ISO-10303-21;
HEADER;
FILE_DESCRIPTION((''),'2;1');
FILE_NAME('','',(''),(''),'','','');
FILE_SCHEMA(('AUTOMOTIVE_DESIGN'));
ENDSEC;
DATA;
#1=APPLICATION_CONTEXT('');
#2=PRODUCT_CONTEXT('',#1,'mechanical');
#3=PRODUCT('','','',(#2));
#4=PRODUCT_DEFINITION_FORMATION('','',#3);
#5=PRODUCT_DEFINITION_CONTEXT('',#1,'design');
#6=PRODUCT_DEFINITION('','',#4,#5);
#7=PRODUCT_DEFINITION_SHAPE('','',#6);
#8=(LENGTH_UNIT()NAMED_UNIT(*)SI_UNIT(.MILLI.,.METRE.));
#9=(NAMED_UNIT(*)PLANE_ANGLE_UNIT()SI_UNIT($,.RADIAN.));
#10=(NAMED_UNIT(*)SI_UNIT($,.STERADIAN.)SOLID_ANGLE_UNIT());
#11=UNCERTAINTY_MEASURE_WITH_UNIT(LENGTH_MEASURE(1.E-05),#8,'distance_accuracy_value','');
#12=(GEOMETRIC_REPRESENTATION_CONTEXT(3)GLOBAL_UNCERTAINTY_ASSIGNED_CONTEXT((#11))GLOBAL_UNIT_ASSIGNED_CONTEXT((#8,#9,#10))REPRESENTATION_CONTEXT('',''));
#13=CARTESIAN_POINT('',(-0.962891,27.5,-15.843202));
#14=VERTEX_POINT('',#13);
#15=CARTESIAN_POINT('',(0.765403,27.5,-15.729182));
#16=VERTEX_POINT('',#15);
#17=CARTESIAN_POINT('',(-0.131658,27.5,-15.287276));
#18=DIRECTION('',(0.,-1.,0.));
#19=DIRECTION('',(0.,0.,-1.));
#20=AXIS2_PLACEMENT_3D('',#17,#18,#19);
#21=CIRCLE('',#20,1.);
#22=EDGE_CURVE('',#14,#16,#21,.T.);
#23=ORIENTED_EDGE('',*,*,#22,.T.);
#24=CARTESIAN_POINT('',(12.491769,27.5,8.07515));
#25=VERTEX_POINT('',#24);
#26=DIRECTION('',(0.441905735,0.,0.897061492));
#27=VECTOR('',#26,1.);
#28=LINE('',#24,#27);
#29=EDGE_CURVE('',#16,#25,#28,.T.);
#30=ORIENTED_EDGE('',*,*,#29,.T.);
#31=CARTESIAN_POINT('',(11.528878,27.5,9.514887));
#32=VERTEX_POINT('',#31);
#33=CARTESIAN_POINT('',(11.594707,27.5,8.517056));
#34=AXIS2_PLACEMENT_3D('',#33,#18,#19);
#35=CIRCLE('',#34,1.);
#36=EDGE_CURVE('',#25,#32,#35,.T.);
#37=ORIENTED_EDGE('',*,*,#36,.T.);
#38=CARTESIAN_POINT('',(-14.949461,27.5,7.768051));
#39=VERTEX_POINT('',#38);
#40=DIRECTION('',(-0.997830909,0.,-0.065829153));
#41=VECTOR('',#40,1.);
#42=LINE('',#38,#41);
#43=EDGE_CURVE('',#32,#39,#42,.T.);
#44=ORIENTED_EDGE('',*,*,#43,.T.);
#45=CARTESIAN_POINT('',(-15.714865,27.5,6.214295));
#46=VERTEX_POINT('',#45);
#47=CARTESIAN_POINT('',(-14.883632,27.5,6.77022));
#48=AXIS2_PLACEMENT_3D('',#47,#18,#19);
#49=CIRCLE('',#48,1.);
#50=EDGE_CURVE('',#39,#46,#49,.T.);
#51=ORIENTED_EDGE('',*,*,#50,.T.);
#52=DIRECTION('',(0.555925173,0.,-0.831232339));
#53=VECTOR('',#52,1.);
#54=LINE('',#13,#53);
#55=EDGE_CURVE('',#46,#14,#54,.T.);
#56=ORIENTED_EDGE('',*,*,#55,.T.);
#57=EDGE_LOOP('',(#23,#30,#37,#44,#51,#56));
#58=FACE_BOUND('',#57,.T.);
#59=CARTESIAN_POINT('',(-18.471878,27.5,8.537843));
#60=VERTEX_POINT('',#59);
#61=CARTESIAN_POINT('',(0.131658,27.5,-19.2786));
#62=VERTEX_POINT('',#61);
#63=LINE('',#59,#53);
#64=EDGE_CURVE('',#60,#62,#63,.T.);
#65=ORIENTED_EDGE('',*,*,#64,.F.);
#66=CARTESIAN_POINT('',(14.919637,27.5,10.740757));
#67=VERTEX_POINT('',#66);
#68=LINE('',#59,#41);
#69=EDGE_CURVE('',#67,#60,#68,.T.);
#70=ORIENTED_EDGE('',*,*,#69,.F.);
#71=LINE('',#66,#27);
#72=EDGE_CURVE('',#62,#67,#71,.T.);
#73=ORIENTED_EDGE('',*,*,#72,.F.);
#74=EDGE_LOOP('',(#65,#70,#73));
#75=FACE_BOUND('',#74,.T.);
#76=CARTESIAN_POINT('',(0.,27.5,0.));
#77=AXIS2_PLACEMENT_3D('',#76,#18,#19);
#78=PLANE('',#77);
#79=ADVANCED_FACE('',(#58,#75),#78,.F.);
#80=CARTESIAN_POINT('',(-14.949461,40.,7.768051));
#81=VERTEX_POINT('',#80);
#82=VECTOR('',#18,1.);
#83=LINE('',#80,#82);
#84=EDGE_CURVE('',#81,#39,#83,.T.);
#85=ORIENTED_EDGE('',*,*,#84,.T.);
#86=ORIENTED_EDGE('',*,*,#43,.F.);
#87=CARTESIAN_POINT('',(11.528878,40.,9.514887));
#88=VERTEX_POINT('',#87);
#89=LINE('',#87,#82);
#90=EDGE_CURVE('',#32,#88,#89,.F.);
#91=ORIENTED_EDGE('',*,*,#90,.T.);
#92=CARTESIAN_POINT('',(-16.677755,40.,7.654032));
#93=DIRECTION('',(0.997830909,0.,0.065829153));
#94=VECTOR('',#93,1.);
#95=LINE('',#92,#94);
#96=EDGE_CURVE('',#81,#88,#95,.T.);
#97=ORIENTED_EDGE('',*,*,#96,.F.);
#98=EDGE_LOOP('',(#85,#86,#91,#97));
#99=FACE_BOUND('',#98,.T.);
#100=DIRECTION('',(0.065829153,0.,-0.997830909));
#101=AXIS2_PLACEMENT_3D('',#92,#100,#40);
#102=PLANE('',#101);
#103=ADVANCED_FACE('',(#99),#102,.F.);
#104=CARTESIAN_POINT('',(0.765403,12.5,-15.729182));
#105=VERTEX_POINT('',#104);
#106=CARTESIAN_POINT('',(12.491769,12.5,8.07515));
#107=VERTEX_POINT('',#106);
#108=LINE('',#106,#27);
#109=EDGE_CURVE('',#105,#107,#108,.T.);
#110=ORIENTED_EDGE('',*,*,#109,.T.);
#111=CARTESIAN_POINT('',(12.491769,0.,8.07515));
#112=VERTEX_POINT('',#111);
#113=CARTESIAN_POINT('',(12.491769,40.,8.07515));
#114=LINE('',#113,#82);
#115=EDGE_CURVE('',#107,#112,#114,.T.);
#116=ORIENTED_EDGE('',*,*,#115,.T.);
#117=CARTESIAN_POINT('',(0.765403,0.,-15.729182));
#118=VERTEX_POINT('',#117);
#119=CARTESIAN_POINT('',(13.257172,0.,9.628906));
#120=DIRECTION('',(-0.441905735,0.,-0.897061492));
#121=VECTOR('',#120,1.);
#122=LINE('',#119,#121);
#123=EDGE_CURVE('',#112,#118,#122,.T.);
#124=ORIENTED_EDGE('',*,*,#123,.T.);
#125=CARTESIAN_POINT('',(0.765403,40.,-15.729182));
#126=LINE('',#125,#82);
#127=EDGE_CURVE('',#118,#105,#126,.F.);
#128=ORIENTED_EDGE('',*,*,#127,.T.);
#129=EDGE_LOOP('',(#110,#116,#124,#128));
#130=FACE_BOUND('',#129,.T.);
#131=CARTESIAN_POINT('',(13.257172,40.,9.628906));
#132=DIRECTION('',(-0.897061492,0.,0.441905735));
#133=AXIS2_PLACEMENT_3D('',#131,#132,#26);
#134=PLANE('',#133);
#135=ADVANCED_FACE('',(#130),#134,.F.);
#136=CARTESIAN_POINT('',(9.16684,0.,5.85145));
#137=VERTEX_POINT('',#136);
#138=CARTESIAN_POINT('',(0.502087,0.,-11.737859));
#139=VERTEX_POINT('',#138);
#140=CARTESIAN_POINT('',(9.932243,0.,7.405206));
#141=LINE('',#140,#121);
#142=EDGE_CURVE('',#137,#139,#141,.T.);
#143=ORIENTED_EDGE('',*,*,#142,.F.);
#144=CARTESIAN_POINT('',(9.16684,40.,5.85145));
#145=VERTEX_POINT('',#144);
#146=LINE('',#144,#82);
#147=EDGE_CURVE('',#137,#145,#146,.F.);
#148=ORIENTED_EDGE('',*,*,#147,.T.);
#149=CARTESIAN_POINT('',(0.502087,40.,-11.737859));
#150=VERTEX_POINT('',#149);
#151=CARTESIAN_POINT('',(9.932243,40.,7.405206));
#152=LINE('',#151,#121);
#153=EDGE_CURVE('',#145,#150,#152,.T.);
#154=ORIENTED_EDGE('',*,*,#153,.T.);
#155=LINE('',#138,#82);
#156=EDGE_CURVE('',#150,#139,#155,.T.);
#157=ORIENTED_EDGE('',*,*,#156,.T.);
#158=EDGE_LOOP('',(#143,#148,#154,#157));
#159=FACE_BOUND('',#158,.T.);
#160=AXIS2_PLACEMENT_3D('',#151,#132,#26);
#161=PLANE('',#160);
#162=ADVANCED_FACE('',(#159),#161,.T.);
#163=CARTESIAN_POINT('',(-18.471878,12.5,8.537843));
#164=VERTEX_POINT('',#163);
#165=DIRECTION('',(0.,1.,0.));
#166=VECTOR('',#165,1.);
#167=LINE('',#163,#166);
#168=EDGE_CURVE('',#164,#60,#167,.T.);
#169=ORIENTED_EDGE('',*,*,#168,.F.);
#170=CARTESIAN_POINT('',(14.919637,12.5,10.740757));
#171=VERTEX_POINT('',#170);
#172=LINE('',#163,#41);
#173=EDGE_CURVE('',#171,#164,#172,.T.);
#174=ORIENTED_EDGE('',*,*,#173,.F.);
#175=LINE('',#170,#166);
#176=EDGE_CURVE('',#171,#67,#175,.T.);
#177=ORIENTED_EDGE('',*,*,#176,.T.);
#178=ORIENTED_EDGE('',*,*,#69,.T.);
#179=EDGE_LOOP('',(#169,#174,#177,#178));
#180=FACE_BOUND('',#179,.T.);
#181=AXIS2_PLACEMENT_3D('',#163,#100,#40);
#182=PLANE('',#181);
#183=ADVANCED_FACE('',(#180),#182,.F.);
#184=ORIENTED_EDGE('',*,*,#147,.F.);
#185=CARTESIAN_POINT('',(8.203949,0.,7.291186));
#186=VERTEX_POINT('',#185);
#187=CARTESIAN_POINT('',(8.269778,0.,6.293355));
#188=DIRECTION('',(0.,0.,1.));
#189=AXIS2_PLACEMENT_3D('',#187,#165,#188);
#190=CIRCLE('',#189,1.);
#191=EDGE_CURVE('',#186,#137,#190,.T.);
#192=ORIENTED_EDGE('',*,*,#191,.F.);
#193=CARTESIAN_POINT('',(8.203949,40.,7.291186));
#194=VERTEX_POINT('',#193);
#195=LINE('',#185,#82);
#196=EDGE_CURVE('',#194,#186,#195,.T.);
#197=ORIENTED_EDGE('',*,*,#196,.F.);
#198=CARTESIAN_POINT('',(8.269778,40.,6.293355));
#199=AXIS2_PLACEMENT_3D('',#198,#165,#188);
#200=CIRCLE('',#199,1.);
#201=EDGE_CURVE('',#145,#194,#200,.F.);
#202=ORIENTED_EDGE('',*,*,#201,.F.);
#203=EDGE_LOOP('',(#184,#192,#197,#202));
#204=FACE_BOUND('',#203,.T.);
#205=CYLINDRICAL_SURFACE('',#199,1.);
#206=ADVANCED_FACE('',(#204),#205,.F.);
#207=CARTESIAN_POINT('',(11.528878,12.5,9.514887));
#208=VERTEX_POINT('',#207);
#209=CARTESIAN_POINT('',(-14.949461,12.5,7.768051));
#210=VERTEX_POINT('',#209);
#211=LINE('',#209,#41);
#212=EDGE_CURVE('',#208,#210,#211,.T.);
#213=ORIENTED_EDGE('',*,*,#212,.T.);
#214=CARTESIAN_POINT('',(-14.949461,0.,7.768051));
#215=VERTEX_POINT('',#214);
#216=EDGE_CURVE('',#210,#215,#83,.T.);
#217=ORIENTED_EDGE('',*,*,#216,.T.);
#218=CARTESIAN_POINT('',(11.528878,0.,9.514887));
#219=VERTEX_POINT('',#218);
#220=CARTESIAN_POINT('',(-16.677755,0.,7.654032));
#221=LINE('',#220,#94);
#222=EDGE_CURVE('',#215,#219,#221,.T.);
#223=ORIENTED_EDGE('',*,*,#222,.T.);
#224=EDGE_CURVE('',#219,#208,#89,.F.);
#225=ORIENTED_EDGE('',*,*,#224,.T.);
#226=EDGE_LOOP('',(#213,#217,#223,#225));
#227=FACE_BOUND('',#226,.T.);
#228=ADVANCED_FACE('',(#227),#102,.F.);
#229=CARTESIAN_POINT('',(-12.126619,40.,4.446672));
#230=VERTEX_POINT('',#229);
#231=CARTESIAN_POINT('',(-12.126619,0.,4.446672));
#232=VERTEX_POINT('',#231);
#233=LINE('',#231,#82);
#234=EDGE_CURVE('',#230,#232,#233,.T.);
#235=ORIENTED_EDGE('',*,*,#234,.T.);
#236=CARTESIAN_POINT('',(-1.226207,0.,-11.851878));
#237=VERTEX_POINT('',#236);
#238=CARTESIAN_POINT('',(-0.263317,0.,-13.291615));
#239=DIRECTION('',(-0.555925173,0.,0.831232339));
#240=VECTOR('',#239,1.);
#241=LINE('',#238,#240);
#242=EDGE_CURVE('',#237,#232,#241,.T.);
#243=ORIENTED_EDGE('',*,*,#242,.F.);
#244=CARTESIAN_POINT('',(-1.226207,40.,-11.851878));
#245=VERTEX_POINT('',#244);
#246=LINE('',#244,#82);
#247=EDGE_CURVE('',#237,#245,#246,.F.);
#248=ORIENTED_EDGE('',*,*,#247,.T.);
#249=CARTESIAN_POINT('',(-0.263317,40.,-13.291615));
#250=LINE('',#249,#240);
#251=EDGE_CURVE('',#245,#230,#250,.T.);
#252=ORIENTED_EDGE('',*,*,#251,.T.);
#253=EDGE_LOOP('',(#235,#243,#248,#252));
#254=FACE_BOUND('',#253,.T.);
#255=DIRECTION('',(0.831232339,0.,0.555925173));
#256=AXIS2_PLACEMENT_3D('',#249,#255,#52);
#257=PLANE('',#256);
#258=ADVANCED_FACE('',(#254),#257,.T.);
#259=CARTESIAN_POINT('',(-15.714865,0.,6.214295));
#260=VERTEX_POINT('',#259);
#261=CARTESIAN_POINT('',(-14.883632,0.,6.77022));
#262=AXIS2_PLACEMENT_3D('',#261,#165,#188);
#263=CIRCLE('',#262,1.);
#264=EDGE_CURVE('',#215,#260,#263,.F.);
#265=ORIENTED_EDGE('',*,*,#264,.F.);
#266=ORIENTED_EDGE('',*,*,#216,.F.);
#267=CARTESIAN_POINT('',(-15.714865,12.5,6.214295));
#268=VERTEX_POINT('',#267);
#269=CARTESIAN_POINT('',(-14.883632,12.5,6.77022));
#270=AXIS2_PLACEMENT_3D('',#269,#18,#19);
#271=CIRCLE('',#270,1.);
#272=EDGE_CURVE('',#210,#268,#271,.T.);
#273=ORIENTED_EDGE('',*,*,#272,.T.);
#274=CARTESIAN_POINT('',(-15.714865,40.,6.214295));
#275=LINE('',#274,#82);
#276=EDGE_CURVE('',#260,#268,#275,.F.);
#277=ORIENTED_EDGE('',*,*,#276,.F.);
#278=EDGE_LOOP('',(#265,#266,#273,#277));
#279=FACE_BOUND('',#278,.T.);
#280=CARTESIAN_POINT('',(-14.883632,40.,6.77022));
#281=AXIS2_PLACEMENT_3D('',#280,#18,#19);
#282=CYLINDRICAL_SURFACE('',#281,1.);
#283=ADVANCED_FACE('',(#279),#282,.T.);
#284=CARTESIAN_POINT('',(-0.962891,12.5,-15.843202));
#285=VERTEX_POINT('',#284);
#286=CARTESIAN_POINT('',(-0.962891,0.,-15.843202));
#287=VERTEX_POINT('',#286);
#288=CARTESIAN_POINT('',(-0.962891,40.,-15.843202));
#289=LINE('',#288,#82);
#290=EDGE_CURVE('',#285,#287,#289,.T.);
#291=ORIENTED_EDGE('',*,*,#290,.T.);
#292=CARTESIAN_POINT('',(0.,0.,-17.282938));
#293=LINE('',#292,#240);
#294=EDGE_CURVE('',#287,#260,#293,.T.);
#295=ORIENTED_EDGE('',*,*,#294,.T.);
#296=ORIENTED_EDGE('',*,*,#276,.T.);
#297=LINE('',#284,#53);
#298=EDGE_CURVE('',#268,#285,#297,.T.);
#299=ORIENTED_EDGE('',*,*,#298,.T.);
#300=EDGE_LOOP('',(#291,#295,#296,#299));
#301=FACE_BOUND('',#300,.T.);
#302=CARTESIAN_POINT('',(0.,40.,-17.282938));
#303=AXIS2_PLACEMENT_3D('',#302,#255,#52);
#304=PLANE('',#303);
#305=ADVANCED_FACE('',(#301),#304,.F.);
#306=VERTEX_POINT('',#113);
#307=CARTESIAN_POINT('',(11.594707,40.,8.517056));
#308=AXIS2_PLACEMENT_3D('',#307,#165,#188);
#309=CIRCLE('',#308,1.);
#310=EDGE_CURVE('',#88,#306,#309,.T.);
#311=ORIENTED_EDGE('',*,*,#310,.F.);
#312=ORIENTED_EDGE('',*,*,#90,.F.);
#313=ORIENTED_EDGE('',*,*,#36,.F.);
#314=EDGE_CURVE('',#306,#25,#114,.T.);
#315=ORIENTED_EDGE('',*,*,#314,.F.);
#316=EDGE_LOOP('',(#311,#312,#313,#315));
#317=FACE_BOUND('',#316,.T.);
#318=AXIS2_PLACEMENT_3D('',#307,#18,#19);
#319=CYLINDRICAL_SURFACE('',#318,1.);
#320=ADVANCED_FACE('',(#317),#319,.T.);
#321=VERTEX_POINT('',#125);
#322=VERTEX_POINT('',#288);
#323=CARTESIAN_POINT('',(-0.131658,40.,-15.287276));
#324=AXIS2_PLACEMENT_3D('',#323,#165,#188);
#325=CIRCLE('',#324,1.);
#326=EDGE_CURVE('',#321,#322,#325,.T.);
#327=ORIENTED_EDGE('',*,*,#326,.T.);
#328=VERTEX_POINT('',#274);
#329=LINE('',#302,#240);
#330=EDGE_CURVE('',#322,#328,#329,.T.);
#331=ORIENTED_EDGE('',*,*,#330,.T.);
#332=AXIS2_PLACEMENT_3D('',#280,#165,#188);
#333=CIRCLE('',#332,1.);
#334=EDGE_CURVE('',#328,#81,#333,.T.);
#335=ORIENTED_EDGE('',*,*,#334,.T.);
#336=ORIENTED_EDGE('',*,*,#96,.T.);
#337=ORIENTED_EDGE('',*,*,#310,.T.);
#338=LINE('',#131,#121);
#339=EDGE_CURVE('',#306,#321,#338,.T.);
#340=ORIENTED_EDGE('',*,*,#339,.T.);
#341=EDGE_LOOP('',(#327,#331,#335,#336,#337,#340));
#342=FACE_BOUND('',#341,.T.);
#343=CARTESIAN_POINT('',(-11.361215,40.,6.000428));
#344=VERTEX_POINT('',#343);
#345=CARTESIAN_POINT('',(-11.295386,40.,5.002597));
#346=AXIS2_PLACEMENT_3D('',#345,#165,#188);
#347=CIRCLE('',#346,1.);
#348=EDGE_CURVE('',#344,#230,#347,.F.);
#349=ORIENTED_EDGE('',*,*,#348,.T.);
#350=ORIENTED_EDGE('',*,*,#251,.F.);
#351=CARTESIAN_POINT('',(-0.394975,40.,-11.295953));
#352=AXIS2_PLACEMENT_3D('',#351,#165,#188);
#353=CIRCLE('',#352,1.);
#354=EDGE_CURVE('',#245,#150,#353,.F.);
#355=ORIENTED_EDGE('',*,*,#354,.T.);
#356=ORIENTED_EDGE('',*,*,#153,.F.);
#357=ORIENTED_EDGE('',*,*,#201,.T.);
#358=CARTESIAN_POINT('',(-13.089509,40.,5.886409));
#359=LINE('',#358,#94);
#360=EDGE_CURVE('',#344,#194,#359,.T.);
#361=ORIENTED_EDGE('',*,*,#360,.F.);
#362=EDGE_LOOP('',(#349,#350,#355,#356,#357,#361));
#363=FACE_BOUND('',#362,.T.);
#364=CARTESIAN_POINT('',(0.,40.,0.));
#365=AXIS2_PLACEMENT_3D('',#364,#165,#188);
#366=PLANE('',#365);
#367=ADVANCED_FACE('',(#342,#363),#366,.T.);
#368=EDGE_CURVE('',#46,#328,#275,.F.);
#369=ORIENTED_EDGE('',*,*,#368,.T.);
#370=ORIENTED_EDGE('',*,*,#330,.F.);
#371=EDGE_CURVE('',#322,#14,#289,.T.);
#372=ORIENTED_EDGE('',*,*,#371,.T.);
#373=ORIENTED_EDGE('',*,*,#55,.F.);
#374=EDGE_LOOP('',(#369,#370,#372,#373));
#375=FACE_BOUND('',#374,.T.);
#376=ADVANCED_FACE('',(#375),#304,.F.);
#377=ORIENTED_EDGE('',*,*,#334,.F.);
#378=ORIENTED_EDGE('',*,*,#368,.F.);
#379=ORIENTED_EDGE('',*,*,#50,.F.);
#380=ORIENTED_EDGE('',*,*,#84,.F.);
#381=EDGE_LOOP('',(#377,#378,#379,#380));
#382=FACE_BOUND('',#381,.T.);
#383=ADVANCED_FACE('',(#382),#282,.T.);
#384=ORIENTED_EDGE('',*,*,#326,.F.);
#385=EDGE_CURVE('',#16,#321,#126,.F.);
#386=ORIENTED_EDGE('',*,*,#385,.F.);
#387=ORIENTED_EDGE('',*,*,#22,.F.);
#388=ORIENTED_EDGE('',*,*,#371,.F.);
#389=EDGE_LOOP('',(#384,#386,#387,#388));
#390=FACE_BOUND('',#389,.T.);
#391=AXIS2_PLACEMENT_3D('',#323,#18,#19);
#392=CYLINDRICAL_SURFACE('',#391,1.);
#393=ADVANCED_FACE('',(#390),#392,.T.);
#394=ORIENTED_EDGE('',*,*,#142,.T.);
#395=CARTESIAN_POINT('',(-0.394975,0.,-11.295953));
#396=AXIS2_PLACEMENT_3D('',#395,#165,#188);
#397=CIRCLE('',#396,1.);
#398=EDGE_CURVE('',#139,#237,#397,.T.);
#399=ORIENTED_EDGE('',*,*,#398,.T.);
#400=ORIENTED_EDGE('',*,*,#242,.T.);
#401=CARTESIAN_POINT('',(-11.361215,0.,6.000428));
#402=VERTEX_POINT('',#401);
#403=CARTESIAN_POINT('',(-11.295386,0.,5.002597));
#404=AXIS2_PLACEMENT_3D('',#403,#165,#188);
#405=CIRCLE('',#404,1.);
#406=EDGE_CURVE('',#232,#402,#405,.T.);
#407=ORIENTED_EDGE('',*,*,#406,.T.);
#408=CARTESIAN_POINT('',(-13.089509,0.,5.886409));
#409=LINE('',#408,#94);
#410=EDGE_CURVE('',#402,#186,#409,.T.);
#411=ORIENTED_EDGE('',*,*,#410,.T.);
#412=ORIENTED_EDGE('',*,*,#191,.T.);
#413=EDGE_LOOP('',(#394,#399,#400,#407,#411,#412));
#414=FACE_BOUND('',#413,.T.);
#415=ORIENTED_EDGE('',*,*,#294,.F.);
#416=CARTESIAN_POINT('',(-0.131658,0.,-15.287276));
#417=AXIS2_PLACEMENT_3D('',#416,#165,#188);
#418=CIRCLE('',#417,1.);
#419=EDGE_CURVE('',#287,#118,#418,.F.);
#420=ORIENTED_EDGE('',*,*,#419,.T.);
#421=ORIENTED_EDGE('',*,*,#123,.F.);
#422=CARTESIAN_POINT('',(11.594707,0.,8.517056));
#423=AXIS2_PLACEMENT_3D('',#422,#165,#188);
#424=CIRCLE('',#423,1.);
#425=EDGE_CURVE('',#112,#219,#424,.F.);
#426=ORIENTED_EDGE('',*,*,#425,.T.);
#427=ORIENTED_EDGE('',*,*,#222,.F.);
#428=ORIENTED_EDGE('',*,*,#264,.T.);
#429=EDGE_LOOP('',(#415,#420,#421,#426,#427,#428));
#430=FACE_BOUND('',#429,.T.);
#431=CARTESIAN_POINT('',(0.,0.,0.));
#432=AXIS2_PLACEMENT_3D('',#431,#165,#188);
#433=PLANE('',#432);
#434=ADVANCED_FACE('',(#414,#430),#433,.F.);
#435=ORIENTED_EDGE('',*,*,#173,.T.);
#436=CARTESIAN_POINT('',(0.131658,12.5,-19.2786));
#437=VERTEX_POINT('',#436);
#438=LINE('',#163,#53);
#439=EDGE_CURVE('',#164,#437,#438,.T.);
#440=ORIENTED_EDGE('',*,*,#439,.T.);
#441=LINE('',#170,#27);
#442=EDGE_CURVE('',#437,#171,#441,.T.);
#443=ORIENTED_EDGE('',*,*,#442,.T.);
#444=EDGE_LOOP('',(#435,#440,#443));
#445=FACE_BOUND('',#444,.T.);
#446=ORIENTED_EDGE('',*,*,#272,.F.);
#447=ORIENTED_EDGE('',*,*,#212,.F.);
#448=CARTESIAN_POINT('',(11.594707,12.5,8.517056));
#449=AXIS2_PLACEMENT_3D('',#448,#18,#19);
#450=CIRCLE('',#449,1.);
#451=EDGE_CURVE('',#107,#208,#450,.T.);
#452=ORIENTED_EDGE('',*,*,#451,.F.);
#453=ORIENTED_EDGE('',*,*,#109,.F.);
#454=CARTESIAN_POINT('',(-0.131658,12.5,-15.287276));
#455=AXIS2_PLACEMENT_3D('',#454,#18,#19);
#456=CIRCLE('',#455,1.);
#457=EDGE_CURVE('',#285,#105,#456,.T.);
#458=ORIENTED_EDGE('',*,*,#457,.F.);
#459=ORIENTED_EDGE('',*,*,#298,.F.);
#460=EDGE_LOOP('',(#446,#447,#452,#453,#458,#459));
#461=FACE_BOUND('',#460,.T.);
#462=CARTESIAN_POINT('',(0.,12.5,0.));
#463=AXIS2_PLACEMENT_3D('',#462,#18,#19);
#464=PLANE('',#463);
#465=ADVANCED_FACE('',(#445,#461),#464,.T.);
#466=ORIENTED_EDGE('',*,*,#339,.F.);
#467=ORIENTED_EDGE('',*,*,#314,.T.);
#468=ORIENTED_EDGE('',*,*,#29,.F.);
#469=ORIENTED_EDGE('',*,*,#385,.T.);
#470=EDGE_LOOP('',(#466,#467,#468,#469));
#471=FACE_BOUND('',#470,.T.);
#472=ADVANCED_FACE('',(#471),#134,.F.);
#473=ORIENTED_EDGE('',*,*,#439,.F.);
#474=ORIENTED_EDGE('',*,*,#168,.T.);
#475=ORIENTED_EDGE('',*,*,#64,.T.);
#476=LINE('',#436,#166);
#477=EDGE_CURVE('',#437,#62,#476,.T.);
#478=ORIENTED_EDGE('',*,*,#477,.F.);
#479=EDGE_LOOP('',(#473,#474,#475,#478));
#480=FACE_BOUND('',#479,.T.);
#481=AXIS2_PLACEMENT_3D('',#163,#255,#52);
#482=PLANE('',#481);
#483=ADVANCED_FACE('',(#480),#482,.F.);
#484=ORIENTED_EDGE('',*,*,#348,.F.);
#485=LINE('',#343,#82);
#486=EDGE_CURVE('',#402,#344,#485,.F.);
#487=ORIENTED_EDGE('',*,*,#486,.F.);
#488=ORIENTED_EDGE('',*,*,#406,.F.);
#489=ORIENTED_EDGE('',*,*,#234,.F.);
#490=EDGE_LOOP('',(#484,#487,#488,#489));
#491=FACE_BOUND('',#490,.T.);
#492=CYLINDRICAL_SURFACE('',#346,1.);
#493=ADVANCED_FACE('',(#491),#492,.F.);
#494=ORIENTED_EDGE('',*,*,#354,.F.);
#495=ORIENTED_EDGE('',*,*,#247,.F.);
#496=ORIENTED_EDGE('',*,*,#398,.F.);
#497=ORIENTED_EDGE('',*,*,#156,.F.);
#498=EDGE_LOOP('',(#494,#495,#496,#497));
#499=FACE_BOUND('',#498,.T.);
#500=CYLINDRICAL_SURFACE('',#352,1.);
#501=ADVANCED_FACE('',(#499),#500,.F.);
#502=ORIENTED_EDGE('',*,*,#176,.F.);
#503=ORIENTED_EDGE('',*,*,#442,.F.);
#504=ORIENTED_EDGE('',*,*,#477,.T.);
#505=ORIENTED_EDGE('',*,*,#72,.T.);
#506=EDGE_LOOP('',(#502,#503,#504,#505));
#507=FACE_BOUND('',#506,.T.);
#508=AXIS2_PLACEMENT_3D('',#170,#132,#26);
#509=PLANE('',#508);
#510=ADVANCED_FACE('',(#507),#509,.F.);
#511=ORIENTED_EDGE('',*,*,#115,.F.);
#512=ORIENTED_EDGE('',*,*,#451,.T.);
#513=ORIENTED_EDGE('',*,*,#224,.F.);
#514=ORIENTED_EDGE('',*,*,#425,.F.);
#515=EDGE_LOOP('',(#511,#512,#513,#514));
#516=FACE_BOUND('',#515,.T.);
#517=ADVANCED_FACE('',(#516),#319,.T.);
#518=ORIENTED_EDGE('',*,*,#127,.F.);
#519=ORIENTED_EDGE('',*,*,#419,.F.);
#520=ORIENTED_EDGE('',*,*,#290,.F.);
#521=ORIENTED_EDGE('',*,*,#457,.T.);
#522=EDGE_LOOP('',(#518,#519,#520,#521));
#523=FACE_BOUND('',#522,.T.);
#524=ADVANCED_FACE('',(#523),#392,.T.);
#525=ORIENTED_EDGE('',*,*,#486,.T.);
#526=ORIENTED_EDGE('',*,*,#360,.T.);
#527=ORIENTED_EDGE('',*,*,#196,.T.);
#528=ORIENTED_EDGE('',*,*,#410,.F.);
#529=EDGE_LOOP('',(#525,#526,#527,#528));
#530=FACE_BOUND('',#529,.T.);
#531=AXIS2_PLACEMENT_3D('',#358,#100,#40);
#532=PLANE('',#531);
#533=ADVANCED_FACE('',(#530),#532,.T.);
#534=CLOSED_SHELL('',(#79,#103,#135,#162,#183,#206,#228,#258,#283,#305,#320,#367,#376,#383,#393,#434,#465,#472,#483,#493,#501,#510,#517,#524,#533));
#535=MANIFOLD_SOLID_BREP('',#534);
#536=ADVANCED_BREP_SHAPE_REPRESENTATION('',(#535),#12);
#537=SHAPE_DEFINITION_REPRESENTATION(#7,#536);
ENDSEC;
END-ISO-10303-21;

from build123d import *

# Parameters (mm, degrees)
BOSS_EXTRUDE1_DEPTH = 40
FILLET1_R           = 1
BOSS_EXTRUDE2_DEPTH = 7.5


with BuildPart() as part:
    # Sketch1 → Boss-Extrude1 (new body)
    with BuildSketch(Plane(origin=(0, 0, 0), x_dir=(1, 0, 0), z_dir=(0, 1, 0))):
        Polygon((0, 17.282938314), (-16.6777552, -7.65403186), (13.257172065, -9.628906454), align=None)
        Polygon((-0.263316613, 13.291614679), (-13.089509231, -5.886408918), (9.932242708, -7.405205761), align=None, mode=Mode.SUBTRACT)
    extrude(amount=BOSS_EXTRUDE1_DEPTH)

    # Fillet1
    fillet1_edges = [part.edges().sort_by_distance(p)[0] for p in [
        (9.932242708, 20, 7.405205761),
        (-0.263316613, 20, -13.291614679),
        (-13.089509231, 20, 5.886408918),
        (13.257172065, 20, 9.628906454),
        (-16.6777552, 20, 7.65403186),
        (0, 20, -17.282938314),
    ]]
    fillet(fillet1_edges, radius=FILLET1_R)

    # Sketch2 → Boss-Extrude2 (add, symmetric)
    with BuildSketch(Plane(origin=(0, 20, 0), x_dir=(-1, 0, 0), z_dir=(0, -1, 0))):
        Polygon((18.471878185, -8.537843331), (-14.919636743, -10.740756801), (-0.131658306, 19.278600132), align=None)
        with BuildLine():
            Line((-12.491768879, -8.075150372), (-0.765403186, 15.729182232))
            ThreePointArc((-0.765403186, 15.729182232), (0.065829153, 16.285107406), (0.962890645, 15.84320167))
            Line((0.962890645, 15.84320167), (15.714864555, -6.214295216))
            ThreePointArc((15.714864555, -6.214295216), (15.780693708, -7.212126125), (14.949461369, -7.768051298))
            Line((14.949461369, -7.768051298), (-11.528878233, -9.514887016))
            ThreePointArc((-11.528878233, -9.514887016), (-12.425939725, -9.072981281), (-12.491768879, -8.075150372))
        make_face(mode=Mode.SUBTRACT)
    extrude(amount=BOSS_EXTRUDE2_DEPTH, both=True)


solid = part.part
